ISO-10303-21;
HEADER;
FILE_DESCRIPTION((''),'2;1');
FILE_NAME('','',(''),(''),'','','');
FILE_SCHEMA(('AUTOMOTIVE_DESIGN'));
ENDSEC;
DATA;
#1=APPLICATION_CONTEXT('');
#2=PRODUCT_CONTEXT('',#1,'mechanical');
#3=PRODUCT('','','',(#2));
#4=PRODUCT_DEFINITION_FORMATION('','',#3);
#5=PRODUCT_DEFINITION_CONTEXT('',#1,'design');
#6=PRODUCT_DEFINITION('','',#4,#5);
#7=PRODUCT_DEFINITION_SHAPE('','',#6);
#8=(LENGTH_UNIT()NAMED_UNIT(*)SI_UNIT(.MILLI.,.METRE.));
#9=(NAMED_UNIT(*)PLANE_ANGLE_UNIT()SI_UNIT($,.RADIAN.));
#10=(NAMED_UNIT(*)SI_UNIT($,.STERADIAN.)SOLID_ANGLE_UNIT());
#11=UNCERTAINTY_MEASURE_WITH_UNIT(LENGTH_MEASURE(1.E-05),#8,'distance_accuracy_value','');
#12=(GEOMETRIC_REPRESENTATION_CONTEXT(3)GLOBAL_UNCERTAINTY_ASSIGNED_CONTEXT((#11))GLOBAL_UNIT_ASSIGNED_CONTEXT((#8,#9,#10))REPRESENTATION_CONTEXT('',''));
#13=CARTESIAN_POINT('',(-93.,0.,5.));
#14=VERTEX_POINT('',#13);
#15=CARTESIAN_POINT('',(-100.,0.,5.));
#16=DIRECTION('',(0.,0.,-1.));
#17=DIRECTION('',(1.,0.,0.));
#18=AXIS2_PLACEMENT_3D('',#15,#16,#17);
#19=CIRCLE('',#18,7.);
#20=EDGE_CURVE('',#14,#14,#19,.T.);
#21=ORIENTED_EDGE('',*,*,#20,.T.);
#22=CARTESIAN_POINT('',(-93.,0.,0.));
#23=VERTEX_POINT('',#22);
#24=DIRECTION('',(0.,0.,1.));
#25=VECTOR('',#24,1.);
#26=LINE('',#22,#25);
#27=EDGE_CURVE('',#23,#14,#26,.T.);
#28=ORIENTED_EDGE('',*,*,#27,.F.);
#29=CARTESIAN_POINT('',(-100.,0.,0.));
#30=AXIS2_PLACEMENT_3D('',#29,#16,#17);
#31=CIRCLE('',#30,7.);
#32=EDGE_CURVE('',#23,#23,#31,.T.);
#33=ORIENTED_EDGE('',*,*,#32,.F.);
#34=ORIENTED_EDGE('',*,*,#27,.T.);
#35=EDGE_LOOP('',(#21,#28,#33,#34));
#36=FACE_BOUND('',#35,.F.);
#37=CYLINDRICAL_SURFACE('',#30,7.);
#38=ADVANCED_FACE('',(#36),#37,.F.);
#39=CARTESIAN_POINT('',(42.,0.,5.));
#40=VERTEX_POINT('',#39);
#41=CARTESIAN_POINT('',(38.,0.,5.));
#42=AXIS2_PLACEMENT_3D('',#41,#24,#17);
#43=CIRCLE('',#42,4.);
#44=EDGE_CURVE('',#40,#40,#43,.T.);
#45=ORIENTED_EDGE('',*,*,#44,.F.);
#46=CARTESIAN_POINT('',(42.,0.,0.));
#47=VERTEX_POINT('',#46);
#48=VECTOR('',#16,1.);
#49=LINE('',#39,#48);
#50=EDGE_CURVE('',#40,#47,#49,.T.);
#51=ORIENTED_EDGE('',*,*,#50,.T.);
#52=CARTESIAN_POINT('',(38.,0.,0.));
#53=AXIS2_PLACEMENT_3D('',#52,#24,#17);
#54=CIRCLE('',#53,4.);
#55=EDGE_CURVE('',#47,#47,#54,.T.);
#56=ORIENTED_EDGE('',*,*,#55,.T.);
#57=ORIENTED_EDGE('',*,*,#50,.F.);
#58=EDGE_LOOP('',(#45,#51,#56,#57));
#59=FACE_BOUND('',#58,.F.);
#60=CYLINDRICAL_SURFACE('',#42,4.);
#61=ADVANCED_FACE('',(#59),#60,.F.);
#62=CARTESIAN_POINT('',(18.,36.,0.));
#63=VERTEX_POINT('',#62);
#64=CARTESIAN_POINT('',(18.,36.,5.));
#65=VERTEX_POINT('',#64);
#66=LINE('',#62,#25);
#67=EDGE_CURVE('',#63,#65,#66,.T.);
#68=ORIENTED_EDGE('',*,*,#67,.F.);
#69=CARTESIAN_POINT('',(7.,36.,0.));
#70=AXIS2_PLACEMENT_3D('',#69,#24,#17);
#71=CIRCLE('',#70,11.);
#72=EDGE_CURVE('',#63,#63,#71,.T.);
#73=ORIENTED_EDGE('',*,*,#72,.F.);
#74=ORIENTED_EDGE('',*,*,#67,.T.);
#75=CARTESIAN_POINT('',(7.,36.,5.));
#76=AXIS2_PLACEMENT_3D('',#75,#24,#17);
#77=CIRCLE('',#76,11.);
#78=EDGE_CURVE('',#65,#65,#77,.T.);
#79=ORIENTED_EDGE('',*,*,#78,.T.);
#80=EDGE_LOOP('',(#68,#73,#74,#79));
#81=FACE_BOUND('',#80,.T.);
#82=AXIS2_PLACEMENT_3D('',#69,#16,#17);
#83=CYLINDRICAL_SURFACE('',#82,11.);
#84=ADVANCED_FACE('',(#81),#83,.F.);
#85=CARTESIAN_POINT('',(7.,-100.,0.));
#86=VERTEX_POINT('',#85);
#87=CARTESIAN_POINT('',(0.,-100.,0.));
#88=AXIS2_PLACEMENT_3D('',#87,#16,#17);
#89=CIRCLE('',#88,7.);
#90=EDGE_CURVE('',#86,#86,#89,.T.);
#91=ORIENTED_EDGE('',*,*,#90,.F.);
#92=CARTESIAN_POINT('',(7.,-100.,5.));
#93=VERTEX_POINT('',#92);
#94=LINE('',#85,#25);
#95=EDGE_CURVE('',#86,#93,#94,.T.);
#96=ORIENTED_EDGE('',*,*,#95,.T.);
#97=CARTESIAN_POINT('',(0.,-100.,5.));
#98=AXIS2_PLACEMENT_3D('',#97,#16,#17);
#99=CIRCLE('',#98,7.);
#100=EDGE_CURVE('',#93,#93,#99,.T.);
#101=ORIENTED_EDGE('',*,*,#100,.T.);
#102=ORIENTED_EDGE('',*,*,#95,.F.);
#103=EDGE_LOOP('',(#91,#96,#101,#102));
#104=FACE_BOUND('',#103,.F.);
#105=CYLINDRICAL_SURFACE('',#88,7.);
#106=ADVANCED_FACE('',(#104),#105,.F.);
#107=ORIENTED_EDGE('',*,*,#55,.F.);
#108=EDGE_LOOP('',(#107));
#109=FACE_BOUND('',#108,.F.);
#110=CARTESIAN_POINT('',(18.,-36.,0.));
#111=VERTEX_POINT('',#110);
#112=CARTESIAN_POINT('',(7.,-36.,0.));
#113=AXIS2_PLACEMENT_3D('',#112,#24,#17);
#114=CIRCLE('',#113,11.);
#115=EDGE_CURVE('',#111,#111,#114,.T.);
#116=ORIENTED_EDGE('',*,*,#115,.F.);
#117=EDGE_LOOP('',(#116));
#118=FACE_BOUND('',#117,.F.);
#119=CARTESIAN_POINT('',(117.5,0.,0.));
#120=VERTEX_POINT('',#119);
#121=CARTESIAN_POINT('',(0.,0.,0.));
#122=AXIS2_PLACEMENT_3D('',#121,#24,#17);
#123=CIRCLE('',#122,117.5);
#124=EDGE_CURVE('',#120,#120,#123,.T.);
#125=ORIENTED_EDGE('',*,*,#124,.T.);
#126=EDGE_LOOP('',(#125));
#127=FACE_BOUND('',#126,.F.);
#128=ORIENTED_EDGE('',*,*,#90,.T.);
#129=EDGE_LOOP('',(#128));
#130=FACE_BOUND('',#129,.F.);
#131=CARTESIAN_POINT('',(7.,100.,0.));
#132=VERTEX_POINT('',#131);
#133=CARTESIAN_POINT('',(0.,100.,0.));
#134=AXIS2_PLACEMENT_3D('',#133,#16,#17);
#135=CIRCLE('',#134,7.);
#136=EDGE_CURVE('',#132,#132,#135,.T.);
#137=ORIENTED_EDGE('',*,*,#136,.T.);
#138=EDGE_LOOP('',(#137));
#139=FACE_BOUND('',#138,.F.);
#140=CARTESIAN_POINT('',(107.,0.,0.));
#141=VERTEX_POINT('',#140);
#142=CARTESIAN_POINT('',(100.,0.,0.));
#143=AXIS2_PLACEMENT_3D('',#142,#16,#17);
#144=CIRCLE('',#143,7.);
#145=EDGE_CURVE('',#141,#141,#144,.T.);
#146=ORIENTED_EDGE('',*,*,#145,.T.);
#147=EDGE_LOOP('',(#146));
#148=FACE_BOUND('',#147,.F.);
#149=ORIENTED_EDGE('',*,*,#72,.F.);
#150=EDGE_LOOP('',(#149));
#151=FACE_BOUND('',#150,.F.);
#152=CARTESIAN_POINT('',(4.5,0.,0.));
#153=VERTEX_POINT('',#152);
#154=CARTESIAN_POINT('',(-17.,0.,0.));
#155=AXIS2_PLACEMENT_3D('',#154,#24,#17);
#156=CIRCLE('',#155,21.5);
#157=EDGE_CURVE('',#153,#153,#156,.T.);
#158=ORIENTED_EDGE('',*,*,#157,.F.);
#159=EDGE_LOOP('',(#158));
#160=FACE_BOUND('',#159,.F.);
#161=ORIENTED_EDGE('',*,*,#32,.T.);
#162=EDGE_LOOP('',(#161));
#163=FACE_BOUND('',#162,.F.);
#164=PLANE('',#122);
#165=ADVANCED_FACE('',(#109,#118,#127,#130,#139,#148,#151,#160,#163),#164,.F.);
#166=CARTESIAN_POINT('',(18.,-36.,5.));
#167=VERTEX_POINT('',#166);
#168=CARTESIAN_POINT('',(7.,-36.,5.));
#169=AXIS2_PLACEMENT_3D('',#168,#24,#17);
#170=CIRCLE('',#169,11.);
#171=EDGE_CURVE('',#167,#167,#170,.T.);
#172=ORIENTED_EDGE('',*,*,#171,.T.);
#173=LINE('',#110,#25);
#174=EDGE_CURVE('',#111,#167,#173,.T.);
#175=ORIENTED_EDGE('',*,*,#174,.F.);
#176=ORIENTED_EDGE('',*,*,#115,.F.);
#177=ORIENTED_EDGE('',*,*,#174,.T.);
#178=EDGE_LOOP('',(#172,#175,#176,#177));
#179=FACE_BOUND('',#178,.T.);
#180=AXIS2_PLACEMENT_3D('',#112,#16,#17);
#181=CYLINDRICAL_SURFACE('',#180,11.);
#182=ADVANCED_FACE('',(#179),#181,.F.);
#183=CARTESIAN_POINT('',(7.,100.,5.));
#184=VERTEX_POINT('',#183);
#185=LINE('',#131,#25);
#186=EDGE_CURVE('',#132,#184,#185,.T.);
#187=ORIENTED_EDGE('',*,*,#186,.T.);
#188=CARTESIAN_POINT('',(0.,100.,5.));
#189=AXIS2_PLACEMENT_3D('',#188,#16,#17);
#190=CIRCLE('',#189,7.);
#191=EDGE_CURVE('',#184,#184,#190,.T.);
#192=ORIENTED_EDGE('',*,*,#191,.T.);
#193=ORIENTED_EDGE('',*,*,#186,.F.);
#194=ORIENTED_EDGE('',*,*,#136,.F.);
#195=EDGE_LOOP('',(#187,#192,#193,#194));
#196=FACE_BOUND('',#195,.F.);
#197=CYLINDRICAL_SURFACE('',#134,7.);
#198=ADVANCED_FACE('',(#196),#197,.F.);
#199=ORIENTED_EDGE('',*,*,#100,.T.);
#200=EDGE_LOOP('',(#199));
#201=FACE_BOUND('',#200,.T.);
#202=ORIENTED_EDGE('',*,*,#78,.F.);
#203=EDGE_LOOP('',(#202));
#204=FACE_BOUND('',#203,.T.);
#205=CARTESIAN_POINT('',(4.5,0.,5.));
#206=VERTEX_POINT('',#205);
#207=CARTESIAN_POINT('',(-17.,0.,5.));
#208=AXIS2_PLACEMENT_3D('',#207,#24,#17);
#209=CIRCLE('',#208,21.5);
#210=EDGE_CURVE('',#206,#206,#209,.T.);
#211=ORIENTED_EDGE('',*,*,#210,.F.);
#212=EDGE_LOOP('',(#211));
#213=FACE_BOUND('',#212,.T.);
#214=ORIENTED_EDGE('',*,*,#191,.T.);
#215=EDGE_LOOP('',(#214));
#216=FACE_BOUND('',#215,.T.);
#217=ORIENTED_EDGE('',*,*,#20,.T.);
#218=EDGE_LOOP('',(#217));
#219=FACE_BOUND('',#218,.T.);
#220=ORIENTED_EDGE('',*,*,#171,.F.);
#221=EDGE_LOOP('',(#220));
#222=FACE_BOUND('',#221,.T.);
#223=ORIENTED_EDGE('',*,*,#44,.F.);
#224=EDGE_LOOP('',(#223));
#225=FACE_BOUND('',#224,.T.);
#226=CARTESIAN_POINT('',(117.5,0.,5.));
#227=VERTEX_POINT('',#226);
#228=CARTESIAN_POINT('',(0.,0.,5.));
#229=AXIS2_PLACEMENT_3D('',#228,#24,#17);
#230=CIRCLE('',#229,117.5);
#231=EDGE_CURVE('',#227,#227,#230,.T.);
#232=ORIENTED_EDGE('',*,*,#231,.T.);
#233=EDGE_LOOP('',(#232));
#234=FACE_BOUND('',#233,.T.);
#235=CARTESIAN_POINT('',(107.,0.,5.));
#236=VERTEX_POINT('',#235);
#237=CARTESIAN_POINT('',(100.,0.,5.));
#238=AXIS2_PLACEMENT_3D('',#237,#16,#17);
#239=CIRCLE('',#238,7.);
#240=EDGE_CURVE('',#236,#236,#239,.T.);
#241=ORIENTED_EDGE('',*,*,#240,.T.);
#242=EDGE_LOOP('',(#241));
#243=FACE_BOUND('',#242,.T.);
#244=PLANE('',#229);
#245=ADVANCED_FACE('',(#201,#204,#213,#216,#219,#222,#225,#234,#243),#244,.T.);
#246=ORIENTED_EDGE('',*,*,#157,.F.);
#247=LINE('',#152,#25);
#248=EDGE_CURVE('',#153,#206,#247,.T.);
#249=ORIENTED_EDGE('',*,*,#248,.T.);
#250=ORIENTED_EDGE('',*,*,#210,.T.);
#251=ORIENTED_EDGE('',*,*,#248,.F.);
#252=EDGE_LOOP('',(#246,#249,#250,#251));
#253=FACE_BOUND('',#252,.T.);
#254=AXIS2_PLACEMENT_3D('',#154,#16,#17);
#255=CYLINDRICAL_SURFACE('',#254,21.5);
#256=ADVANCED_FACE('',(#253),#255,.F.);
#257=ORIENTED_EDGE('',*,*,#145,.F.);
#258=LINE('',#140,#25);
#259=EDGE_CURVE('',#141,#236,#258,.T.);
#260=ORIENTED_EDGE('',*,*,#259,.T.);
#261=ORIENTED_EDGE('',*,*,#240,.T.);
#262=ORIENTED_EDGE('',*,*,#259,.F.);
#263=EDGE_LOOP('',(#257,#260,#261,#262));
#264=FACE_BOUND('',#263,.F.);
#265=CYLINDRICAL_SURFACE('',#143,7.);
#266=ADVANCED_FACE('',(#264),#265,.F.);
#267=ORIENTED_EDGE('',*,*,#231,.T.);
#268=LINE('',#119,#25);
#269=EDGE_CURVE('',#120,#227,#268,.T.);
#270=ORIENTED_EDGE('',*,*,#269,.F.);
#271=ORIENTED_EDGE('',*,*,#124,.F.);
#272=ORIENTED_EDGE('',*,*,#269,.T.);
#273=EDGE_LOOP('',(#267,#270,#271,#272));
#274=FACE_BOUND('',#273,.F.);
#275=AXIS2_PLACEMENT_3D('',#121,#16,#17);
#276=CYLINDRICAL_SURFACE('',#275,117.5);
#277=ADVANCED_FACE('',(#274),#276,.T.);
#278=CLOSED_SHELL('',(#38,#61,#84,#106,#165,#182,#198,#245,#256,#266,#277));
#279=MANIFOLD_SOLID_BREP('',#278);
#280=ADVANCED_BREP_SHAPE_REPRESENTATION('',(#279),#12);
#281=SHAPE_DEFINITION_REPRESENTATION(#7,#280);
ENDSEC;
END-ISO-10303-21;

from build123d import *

# Parameters (mm, degrees)
F0_R     = 117.5
F0_R_2   = 11
F0_R_3   = 21.5
F1_DEPTH = 5
F2_R     = 7
F3_DEPTH = 5.001
F4_R     = 4
F5_DEPTH = 5.001


with BuildPart() as f1:
    # F0 (on Top) → F1 (new body)
    with BuildSketch(Plane.XY):
        Circle(F0_R)
        with Locations((7, -36)):
            Circle(F0_R_2, mode=Mode.SUBTRACT)
        with Locations((-17, 0)):
            Circle(F0_R_3, mode=Mode.SUBTRACT)
        with Locations((7, 36)):
            Circle(F0_R_2, mode=Mode.SUBTRACT)
    extrude(amount=F1_DEPTH)

    # F2 (on face) → F3 (cut, through all)
    with BuildSketch(Plane(origin=(0, 0, 0), x_dir=(1, 0, 0), z_dir=(0, 0, -1))):
        with Locations((-100, 0)):
            Circle(F2_R)
        with Locations((0, 100)):
            Circle(F2_R)
        with Locations((100, 0)):
            Circle(F2_R)
        with Locations((0, -100)):
            Circle(F2_R)
    extrude(amount=-F3_DEPTH, mode=Mode.SUBTRACT)

    # F4 (on face) → F5 (cut, through all)
    with BuildSketch(Plane.XY.offset(5)):
        with Locations((38, 0)):
            Circle(F4_R)
    extrude(amount=-F5_DEPTH, mode=Mode.SUBTRACT)


solid = f1.part
